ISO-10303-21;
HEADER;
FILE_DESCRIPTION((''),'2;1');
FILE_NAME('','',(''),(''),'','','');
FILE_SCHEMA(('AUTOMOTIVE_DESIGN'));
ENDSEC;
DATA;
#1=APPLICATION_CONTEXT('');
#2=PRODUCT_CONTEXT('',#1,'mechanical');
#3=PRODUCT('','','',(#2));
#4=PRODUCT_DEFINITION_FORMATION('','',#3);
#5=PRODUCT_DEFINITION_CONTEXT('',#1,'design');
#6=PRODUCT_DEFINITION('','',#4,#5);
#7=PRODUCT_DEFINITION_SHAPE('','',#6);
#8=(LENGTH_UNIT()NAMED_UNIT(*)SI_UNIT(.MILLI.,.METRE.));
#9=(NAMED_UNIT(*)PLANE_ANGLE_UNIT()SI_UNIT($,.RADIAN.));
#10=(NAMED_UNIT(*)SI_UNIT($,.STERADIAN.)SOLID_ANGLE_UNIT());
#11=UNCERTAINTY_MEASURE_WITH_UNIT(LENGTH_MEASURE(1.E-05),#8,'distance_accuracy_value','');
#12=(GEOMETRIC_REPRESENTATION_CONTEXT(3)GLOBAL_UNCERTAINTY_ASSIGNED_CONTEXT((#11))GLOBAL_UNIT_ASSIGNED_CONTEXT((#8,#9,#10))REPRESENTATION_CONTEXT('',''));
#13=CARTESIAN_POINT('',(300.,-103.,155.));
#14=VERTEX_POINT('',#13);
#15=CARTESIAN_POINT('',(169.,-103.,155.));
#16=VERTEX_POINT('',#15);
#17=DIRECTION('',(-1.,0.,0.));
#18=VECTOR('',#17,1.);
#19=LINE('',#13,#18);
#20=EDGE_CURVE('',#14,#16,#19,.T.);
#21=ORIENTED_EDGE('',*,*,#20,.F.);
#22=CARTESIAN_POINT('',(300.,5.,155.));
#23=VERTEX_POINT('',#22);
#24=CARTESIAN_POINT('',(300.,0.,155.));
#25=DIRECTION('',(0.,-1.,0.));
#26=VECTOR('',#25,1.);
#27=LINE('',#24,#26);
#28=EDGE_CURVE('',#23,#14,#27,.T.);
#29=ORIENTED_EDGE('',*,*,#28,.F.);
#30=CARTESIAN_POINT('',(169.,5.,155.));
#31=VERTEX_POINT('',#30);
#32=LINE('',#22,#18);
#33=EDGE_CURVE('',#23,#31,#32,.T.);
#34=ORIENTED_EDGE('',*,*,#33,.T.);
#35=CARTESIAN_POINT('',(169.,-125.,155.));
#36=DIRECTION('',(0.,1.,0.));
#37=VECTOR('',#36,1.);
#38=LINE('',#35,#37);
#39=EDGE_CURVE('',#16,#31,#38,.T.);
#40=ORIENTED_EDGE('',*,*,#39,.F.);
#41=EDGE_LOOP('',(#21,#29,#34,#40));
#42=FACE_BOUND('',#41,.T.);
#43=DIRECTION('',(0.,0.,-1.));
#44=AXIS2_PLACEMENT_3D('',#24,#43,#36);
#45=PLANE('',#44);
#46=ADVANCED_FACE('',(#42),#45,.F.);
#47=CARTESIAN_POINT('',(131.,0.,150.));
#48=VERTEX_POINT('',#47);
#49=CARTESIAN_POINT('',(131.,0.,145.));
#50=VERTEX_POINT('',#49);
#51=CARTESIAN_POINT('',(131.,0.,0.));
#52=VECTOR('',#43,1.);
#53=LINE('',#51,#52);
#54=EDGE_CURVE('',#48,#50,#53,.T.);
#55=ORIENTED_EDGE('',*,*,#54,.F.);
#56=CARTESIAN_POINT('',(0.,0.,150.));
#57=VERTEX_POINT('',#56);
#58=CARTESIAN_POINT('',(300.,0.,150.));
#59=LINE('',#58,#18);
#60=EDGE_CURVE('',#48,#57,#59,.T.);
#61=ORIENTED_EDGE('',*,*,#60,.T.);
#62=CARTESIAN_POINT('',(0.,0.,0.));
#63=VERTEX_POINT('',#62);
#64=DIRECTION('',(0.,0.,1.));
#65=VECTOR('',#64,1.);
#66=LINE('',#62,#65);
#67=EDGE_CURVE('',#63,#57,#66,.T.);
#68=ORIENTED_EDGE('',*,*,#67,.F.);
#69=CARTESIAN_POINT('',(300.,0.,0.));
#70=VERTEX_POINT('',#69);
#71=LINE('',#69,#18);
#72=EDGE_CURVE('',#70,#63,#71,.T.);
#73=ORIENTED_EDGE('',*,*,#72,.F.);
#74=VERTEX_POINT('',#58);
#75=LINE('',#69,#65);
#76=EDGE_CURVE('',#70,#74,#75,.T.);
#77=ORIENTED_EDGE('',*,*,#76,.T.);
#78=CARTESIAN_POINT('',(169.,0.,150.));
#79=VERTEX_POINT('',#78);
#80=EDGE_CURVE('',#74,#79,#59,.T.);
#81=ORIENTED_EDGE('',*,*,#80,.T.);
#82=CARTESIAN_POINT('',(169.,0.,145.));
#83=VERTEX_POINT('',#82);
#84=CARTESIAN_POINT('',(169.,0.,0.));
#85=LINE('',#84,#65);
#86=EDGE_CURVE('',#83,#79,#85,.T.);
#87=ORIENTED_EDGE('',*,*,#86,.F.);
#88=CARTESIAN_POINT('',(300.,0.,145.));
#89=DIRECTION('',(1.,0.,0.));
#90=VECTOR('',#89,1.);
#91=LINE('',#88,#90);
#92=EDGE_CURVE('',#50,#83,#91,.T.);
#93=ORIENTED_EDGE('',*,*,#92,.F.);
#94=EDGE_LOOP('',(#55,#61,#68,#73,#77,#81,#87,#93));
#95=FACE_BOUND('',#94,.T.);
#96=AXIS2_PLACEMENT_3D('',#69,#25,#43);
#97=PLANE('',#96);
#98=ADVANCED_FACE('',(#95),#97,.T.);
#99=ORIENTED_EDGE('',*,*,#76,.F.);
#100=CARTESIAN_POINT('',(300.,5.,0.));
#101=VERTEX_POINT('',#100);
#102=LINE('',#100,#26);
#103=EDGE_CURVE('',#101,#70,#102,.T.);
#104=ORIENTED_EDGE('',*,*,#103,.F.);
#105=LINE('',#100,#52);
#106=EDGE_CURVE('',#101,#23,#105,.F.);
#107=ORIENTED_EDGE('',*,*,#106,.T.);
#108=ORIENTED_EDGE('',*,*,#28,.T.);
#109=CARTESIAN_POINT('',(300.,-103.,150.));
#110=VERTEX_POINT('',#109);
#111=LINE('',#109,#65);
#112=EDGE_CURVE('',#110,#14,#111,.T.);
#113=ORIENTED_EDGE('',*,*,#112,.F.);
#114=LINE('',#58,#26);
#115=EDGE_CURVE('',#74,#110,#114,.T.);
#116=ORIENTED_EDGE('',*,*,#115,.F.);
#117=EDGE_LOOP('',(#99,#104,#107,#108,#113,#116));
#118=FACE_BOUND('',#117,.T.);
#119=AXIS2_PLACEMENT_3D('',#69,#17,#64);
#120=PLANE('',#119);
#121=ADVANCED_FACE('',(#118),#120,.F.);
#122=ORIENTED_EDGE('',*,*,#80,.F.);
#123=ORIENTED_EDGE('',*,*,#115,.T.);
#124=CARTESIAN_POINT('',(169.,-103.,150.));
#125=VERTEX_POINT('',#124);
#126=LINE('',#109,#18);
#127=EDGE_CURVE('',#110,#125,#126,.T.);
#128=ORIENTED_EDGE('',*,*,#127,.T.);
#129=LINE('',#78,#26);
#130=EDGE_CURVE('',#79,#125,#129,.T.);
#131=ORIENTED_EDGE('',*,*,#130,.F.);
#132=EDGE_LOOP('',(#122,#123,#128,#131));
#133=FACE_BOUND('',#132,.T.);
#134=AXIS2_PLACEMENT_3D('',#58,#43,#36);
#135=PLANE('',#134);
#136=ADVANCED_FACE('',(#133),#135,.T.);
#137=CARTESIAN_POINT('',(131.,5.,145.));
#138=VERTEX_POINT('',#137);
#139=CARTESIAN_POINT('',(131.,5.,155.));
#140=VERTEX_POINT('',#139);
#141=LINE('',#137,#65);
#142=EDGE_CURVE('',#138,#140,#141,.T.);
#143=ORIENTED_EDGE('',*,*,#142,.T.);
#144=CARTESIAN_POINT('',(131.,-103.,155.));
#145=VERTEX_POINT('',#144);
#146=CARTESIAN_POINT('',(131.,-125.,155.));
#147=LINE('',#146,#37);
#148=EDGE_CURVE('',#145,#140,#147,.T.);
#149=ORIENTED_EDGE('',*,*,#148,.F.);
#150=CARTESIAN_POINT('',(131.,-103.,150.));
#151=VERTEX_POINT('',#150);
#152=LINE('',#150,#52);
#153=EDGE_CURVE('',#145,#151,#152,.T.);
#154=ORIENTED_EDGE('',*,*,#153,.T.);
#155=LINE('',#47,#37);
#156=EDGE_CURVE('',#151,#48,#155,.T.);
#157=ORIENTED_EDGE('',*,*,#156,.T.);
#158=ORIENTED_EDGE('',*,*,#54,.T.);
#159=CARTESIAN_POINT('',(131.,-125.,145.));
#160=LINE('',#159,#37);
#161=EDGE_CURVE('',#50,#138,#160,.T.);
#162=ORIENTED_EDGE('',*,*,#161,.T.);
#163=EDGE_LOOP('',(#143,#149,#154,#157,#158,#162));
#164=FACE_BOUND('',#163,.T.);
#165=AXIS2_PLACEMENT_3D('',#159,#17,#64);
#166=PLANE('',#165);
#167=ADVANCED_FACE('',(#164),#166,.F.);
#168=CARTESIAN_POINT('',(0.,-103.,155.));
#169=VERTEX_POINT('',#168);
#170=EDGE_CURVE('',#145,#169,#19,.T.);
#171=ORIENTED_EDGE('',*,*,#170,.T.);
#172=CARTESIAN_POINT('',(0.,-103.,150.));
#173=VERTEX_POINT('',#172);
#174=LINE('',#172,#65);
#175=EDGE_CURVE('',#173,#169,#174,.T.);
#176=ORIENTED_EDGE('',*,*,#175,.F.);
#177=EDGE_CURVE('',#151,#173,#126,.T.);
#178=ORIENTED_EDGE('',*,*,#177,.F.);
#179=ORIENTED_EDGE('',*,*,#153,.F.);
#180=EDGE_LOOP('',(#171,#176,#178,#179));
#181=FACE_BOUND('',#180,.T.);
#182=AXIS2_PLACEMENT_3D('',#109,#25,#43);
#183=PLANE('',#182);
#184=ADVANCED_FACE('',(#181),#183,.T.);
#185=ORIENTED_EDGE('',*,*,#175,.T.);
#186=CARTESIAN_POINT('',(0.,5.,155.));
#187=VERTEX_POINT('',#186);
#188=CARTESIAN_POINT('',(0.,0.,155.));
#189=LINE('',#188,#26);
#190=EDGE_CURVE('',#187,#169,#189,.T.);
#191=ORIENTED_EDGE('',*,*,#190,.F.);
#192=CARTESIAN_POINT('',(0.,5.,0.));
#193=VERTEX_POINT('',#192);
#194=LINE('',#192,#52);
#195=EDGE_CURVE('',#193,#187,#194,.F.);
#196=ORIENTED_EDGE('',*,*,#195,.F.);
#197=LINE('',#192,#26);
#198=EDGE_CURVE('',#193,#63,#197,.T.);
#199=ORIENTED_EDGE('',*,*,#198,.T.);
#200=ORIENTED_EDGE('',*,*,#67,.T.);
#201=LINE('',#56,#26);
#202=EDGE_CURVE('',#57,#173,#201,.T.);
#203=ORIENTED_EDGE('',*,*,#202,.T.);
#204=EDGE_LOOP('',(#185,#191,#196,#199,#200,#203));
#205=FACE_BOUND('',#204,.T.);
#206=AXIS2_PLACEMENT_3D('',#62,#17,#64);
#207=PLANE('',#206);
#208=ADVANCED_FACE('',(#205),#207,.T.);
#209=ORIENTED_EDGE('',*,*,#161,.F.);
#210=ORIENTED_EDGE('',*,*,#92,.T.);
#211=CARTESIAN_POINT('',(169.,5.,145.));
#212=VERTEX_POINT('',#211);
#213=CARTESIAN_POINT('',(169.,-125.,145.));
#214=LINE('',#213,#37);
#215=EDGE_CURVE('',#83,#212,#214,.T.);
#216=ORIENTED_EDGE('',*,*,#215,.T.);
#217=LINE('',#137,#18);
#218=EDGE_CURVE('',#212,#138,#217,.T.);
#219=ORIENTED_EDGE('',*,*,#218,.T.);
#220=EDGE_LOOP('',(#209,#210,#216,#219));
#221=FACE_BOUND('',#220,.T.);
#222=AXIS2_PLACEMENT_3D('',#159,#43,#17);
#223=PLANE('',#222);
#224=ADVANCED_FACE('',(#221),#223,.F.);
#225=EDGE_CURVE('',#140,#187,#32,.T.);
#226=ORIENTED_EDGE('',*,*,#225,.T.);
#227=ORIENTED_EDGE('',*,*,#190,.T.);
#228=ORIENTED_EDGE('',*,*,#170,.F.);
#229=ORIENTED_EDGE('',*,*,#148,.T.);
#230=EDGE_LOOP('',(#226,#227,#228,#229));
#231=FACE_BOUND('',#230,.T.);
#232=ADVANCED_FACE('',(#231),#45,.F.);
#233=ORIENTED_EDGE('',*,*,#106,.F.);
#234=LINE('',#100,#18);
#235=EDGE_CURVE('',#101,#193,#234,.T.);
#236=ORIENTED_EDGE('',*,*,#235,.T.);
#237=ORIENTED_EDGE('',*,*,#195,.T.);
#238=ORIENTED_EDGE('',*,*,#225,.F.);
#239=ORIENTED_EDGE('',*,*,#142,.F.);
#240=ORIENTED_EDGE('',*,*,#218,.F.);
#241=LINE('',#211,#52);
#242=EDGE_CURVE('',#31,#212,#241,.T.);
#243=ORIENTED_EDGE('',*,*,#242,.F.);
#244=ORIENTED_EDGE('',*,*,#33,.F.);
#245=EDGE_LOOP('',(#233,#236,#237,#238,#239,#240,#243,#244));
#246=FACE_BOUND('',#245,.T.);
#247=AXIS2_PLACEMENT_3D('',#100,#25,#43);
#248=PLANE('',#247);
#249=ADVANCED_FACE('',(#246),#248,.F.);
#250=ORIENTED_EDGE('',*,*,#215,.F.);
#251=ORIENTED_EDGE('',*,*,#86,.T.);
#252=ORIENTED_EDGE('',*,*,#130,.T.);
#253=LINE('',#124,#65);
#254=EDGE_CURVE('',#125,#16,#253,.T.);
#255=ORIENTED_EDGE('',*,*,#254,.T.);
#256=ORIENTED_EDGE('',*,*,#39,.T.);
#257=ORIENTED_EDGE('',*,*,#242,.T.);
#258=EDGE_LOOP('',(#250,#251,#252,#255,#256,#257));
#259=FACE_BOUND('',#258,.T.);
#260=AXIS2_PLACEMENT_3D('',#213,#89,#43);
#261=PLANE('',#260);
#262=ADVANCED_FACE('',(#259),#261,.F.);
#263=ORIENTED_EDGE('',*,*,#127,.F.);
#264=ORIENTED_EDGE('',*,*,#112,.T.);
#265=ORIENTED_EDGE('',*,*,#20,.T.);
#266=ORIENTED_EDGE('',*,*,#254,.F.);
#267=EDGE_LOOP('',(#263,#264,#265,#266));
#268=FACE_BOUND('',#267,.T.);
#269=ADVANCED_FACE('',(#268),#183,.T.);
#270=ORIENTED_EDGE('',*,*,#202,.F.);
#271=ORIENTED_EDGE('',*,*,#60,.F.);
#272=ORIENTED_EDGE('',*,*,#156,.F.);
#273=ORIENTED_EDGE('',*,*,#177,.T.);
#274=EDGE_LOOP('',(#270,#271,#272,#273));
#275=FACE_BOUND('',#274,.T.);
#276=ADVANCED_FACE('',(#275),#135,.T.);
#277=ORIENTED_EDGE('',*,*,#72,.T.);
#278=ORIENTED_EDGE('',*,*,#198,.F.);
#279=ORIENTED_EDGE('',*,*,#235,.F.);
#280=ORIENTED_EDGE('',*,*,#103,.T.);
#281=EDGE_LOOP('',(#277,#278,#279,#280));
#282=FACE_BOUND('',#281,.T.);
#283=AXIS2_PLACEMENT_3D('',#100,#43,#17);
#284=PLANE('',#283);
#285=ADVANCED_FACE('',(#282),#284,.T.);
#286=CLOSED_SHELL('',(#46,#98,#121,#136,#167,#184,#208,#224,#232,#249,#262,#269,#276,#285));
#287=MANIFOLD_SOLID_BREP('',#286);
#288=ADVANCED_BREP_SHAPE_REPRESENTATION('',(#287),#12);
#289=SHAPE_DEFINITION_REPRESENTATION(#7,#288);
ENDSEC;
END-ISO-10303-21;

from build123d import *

# Parameters (mm, degrees)
EXTRUDE_THIN1_DEPTH = 300
SKETCH2_W           = 38
SKETCH2_H           = 10
CUT_EXTRUDE1_DEPTH  = 130


with BuildPart() as part:
    # Sketch1 → Extrude-Thin1 (new body)
    with BuildSketch(Plane(origin=(0, 0, 0), x_dir=(0, 0, -1), z_dir=(1, 0, 0))):
        Polygon((0, 0), (-150, 0), (-150, -103), (-155, -103), (-155, 5), (0, 5), align=None)
    extrude(amount=EXTRUDE_THIN1_DEPTH)

    # Sketch2 → Cut-Extrude1 (cut)
    with BuildSketch(Plane(origin=(0, 5, 0), x_dir=(1, 0, 0), z_dir=(0, 1, 0))):
        with Locations((150, -150)):
            Rectangle(SKETCH2_W, SKETCH2_H)
    extrude(amount=-CUT_EXTRUDE1_DEPTH, mode=Mode.SUBTRACT)


solid = part.part
